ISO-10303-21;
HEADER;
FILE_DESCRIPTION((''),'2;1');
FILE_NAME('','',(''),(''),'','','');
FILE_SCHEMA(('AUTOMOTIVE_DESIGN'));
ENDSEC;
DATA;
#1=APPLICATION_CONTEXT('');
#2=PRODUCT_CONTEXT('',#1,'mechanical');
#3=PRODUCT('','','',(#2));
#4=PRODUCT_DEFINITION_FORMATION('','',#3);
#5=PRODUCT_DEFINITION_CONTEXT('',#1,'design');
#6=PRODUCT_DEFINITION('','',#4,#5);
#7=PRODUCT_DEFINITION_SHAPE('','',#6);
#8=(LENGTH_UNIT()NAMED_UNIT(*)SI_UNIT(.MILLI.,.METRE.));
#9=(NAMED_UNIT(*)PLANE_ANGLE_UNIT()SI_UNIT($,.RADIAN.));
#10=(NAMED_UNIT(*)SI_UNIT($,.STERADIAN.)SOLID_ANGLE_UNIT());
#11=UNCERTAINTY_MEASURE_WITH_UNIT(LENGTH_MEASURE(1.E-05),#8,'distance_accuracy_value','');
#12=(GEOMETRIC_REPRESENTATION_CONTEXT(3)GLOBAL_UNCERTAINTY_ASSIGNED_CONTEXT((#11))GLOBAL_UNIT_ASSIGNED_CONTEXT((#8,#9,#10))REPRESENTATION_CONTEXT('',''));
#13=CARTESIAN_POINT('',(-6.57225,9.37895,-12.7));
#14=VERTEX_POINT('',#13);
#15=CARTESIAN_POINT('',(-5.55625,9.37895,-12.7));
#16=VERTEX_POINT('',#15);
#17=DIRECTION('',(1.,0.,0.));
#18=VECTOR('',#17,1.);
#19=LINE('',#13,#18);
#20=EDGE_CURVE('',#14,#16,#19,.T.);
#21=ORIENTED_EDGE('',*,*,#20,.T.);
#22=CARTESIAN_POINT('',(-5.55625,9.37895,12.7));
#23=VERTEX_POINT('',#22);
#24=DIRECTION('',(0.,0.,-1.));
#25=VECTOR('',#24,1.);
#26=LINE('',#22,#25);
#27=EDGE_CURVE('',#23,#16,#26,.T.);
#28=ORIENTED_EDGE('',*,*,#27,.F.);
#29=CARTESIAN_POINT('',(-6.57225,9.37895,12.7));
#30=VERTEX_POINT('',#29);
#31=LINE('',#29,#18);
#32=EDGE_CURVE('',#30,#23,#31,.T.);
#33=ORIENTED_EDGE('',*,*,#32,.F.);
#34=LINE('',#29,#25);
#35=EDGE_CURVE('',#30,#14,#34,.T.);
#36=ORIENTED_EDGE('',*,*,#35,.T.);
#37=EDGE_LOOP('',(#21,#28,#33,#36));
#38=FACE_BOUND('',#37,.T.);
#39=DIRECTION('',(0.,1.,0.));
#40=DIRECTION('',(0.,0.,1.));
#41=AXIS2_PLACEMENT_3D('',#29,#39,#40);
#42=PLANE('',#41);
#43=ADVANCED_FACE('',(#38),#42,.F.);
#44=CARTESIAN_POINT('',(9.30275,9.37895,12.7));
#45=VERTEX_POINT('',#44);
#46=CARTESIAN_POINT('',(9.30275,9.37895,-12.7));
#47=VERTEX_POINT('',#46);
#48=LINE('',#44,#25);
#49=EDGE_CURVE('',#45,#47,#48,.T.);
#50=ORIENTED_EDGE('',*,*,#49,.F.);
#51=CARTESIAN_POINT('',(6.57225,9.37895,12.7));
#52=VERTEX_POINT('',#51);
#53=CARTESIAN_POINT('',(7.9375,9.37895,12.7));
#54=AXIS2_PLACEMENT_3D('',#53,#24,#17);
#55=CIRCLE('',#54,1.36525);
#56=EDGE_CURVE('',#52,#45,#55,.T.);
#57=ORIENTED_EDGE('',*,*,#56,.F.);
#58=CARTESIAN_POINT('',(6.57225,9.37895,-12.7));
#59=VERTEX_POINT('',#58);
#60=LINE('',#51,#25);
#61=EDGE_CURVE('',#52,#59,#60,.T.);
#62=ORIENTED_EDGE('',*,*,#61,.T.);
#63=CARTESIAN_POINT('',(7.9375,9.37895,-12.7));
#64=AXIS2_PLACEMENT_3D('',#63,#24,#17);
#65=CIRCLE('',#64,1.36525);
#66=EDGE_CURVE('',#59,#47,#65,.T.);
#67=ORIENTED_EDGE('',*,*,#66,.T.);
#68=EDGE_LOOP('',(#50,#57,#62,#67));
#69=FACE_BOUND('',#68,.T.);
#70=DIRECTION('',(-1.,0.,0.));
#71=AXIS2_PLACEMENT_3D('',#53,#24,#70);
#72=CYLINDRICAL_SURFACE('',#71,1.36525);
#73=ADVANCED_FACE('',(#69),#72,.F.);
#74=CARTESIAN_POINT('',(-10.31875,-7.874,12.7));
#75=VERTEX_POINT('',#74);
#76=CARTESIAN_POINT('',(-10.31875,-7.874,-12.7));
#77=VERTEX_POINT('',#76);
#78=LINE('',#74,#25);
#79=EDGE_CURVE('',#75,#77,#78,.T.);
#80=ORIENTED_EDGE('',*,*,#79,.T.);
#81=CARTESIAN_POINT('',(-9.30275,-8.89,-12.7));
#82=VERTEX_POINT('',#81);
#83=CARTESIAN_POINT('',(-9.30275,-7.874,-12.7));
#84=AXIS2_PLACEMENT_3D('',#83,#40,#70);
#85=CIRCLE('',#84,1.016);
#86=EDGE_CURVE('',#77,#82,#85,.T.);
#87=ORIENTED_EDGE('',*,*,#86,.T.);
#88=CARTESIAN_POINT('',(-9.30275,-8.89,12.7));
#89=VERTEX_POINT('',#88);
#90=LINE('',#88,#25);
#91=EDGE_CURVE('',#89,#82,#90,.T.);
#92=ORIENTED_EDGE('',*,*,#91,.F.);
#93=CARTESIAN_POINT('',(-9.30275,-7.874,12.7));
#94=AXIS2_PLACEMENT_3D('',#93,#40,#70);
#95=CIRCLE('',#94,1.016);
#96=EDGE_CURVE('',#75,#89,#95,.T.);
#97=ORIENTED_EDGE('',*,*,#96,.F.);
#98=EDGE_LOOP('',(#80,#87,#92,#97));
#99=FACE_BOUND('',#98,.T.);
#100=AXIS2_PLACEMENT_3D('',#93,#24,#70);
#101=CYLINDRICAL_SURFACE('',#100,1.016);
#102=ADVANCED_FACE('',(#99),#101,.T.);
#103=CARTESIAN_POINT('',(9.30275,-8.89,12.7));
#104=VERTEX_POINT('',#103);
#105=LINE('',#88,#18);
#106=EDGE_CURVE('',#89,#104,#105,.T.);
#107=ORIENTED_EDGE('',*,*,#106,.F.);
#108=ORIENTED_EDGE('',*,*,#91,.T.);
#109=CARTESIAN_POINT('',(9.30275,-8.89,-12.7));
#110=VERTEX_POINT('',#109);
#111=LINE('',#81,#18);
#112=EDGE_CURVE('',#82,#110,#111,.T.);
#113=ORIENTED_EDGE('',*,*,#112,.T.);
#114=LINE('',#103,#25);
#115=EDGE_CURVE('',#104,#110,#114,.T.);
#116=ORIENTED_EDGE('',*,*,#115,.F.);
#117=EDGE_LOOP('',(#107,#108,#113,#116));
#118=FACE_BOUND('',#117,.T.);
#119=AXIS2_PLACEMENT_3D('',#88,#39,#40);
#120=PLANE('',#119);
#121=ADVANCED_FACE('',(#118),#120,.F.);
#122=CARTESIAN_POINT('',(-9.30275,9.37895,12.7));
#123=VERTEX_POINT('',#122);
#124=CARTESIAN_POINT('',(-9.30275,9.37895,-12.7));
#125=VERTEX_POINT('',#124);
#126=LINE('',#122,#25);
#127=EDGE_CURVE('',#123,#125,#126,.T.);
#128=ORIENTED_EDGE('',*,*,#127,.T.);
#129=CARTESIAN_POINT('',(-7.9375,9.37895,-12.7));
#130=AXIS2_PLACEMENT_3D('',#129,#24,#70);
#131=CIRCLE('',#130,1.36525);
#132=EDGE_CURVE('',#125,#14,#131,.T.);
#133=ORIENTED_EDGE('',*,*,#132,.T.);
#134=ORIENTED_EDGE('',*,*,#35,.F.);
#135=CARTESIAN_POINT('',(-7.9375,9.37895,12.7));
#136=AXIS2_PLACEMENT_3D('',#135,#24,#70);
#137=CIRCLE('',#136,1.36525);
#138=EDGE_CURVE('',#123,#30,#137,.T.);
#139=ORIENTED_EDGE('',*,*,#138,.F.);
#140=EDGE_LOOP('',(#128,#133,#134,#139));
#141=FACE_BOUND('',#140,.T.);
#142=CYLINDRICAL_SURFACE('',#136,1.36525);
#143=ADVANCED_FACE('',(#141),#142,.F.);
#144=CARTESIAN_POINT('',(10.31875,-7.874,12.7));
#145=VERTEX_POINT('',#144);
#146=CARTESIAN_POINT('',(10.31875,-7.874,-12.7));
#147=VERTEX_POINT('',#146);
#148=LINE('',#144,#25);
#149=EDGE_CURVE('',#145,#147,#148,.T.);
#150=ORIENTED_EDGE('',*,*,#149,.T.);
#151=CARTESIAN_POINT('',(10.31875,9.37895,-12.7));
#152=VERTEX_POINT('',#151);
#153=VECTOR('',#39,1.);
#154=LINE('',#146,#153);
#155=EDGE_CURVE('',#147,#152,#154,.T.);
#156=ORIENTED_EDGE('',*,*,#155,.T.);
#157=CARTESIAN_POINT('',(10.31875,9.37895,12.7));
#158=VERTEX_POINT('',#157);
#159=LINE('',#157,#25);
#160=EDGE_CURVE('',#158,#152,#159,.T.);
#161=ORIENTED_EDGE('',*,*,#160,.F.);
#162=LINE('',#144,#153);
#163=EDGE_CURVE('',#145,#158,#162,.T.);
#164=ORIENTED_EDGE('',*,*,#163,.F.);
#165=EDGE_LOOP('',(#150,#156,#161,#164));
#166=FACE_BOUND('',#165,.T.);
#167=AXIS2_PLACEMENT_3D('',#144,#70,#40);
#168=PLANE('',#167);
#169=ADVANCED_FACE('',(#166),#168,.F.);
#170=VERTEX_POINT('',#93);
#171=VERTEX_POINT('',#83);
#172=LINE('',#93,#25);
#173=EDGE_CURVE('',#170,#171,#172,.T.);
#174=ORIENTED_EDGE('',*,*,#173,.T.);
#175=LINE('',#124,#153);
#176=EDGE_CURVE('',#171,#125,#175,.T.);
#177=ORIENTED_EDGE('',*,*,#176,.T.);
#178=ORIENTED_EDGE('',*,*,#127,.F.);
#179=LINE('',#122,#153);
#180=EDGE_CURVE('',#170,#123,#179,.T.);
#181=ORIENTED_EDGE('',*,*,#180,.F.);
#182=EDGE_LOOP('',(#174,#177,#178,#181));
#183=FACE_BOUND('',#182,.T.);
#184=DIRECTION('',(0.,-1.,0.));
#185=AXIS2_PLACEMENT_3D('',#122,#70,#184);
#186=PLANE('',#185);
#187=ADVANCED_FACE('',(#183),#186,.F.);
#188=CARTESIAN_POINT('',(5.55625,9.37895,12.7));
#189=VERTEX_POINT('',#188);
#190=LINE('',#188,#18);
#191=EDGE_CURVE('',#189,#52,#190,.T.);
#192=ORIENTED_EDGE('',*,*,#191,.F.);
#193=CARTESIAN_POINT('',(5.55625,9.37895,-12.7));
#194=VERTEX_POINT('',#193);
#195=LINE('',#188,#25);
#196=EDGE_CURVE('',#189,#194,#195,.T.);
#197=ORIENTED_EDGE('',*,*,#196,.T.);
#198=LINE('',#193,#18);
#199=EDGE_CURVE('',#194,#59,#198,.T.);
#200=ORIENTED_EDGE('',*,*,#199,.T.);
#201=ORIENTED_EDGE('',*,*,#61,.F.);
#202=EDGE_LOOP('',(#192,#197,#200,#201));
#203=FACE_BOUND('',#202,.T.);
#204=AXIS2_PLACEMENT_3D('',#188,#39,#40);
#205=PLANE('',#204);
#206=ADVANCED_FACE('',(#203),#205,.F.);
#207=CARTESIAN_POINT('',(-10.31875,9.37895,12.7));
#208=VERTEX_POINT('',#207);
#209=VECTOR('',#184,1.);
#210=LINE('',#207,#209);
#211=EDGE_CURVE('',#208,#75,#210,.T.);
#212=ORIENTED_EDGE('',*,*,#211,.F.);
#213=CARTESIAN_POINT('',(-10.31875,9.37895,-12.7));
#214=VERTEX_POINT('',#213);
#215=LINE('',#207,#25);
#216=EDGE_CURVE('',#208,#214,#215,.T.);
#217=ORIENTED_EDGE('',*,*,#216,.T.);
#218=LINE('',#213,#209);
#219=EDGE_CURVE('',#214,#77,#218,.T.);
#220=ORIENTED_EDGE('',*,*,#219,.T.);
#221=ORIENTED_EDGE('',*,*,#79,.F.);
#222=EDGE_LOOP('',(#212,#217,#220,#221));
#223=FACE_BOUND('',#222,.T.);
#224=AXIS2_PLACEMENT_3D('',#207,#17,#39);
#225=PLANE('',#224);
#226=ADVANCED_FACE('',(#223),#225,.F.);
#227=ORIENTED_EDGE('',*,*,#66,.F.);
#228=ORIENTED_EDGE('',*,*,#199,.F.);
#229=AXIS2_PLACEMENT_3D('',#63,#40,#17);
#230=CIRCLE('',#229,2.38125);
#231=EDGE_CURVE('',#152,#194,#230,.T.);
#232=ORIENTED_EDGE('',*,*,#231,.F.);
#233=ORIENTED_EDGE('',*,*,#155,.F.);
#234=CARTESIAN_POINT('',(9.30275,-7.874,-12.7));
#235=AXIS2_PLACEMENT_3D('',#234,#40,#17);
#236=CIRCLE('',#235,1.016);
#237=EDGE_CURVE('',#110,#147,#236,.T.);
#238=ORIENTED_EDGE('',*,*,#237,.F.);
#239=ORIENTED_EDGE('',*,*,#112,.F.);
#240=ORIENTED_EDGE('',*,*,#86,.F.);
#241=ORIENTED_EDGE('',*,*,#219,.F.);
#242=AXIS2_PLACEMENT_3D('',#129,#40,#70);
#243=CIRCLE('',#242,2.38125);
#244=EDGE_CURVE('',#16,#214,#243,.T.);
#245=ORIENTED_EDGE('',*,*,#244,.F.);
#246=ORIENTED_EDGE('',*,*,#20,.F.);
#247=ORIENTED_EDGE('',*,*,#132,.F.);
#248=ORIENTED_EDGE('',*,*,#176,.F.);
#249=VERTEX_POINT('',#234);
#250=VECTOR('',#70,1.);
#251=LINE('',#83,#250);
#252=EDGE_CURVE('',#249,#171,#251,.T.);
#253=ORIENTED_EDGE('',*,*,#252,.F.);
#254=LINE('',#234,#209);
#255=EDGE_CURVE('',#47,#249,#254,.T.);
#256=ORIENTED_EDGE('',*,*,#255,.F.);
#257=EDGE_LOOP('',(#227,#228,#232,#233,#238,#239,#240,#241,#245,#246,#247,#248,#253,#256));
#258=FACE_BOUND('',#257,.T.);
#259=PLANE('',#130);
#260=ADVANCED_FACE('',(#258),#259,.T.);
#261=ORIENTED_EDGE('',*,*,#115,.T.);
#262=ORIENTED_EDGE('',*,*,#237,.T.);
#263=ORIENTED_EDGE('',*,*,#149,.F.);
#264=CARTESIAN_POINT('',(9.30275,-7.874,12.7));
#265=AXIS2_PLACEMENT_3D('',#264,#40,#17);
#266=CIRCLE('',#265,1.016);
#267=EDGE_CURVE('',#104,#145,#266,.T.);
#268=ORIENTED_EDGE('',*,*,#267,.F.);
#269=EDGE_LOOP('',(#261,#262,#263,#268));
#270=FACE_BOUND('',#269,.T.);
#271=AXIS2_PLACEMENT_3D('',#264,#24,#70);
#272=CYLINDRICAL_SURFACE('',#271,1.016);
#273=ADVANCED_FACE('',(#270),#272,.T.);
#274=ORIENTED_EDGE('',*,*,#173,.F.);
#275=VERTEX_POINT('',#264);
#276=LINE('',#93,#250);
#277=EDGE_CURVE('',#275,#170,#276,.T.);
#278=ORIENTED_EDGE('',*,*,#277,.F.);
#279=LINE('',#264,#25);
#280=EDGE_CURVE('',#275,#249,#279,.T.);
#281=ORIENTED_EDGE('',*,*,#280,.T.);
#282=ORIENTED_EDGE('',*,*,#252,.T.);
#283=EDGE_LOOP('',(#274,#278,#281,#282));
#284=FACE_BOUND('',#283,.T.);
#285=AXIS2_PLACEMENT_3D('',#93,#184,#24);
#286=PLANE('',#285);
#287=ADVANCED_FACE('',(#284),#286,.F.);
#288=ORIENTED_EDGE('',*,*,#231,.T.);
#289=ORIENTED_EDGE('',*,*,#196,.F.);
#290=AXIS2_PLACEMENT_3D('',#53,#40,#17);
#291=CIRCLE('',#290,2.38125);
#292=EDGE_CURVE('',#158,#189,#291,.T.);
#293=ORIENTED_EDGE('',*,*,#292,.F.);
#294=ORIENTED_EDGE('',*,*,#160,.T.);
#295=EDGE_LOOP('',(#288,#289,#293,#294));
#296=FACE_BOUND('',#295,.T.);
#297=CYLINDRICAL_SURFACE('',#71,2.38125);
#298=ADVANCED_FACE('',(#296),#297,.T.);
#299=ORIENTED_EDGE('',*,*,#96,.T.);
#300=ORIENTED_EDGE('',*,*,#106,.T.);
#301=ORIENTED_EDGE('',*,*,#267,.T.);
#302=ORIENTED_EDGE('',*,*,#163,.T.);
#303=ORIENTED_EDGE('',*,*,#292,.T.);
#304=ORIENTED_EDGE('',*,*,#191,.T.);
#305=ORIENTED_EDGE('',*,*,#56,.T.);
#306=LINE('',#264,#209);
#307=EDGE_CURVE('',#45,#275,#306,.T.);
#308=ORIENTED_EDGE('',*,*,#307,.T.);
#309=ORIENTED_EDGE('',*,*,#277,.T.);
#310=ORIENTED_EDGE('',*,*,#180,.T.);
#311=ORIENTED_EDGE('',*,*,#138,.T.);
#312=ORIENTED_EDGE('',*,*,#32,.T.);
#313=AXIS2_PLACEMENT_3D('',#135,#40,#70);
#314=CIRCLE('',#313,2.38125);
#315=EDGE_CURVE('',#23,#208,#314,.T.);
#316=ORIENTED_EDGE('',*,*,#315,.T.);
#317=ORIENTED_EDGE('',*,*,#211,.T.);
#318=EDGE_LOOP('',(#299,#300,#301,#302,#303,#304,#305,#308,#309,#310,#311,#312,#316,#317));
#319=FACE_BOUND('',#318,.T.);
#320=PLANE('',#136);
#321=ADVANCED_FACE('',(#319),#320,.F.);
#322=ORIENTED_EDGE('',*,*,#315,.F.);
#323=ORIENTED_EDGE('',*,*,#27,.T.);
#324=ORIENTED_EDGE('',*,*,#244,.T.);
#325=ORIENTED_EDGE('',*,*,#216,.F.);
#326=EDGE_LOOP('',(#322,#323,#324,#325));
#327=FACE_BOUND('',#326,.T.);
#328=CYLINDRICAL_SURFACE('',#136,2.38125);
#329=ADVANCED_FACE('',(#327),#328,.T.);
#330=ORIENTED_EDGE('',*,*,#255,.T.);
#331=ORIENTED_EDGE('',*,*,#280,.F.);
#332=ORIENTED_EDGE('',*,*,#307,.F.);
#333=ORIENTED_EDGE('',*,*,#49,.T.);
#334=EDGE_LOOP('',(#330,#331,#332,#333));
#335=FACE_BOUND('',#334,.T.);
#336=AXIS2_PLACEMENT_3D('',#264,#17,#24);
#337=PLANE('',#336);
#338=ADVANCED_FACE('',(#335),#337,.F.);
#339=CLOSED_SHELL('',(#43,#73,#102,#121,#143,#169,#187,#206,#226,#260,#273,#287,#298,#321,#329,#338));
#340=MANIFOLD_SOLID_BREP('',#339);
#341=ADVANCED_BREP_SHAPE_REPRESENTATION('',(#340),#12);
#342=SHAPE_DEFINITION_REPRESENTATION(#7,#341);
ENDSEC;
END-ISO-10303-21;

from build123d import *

# Parameters (mm, degrees)
BASE_EXTRUDE_DEPTH = 12.7


with BuildPart() as part:
    # Sketch1 → Base-Extrude (new, symmetric)
    with BuildSketch(Plane.XY):
        with BuildLine():
            Line((-10.31875, 9.37895), (-10.31875, -7.874))
            ThreePointArc((-10.31875, -7.874), (-10.02117049, -8.59242049), (-9.30275, -8.89))
            Line((-9.30275, -8.89), (9.30275, -8.89))
            ThreePointArc((9.30275, -8.89), (10.02117049, -8.59242049), (10.31875, -7.874))
            Line((10.31875, -7.874), (10.31875, 9.37895))
            ThreePointArc((10.31875, 9.37895), (7.9375, 11.7602), (5.55625, 9.37895))
            Line((5.55625, 9.37895), (6.57225, 9.37895))
            ThreePointArc((6.57225, 9.37895), (7.9375, 10.7442), (9.30275, 9.37895))
            Line((9.30275, 9.37895), (9.30275, -7.874))
            Line((9.30275, -7.874), (-9.30275, -7.874))
            Line((-9.30275, -7.874), (-9.30275, 9.37895))
            ThreePointArc((-9.30275, 9.37895), (-7.9375, 10.7442), (-6.57225, 9.37895))
            Line((-6.57225, 9.37895), (-5.55625, 9.37895))
            ThreePointArc((-5.55625, 9.37895), (-7.9375, 11.7602), (-10.31875, 9.37895))
        make_face()
    extrude(amount=BASE_EXTRUDE_DEPTH, both=True)


solid = part.part
